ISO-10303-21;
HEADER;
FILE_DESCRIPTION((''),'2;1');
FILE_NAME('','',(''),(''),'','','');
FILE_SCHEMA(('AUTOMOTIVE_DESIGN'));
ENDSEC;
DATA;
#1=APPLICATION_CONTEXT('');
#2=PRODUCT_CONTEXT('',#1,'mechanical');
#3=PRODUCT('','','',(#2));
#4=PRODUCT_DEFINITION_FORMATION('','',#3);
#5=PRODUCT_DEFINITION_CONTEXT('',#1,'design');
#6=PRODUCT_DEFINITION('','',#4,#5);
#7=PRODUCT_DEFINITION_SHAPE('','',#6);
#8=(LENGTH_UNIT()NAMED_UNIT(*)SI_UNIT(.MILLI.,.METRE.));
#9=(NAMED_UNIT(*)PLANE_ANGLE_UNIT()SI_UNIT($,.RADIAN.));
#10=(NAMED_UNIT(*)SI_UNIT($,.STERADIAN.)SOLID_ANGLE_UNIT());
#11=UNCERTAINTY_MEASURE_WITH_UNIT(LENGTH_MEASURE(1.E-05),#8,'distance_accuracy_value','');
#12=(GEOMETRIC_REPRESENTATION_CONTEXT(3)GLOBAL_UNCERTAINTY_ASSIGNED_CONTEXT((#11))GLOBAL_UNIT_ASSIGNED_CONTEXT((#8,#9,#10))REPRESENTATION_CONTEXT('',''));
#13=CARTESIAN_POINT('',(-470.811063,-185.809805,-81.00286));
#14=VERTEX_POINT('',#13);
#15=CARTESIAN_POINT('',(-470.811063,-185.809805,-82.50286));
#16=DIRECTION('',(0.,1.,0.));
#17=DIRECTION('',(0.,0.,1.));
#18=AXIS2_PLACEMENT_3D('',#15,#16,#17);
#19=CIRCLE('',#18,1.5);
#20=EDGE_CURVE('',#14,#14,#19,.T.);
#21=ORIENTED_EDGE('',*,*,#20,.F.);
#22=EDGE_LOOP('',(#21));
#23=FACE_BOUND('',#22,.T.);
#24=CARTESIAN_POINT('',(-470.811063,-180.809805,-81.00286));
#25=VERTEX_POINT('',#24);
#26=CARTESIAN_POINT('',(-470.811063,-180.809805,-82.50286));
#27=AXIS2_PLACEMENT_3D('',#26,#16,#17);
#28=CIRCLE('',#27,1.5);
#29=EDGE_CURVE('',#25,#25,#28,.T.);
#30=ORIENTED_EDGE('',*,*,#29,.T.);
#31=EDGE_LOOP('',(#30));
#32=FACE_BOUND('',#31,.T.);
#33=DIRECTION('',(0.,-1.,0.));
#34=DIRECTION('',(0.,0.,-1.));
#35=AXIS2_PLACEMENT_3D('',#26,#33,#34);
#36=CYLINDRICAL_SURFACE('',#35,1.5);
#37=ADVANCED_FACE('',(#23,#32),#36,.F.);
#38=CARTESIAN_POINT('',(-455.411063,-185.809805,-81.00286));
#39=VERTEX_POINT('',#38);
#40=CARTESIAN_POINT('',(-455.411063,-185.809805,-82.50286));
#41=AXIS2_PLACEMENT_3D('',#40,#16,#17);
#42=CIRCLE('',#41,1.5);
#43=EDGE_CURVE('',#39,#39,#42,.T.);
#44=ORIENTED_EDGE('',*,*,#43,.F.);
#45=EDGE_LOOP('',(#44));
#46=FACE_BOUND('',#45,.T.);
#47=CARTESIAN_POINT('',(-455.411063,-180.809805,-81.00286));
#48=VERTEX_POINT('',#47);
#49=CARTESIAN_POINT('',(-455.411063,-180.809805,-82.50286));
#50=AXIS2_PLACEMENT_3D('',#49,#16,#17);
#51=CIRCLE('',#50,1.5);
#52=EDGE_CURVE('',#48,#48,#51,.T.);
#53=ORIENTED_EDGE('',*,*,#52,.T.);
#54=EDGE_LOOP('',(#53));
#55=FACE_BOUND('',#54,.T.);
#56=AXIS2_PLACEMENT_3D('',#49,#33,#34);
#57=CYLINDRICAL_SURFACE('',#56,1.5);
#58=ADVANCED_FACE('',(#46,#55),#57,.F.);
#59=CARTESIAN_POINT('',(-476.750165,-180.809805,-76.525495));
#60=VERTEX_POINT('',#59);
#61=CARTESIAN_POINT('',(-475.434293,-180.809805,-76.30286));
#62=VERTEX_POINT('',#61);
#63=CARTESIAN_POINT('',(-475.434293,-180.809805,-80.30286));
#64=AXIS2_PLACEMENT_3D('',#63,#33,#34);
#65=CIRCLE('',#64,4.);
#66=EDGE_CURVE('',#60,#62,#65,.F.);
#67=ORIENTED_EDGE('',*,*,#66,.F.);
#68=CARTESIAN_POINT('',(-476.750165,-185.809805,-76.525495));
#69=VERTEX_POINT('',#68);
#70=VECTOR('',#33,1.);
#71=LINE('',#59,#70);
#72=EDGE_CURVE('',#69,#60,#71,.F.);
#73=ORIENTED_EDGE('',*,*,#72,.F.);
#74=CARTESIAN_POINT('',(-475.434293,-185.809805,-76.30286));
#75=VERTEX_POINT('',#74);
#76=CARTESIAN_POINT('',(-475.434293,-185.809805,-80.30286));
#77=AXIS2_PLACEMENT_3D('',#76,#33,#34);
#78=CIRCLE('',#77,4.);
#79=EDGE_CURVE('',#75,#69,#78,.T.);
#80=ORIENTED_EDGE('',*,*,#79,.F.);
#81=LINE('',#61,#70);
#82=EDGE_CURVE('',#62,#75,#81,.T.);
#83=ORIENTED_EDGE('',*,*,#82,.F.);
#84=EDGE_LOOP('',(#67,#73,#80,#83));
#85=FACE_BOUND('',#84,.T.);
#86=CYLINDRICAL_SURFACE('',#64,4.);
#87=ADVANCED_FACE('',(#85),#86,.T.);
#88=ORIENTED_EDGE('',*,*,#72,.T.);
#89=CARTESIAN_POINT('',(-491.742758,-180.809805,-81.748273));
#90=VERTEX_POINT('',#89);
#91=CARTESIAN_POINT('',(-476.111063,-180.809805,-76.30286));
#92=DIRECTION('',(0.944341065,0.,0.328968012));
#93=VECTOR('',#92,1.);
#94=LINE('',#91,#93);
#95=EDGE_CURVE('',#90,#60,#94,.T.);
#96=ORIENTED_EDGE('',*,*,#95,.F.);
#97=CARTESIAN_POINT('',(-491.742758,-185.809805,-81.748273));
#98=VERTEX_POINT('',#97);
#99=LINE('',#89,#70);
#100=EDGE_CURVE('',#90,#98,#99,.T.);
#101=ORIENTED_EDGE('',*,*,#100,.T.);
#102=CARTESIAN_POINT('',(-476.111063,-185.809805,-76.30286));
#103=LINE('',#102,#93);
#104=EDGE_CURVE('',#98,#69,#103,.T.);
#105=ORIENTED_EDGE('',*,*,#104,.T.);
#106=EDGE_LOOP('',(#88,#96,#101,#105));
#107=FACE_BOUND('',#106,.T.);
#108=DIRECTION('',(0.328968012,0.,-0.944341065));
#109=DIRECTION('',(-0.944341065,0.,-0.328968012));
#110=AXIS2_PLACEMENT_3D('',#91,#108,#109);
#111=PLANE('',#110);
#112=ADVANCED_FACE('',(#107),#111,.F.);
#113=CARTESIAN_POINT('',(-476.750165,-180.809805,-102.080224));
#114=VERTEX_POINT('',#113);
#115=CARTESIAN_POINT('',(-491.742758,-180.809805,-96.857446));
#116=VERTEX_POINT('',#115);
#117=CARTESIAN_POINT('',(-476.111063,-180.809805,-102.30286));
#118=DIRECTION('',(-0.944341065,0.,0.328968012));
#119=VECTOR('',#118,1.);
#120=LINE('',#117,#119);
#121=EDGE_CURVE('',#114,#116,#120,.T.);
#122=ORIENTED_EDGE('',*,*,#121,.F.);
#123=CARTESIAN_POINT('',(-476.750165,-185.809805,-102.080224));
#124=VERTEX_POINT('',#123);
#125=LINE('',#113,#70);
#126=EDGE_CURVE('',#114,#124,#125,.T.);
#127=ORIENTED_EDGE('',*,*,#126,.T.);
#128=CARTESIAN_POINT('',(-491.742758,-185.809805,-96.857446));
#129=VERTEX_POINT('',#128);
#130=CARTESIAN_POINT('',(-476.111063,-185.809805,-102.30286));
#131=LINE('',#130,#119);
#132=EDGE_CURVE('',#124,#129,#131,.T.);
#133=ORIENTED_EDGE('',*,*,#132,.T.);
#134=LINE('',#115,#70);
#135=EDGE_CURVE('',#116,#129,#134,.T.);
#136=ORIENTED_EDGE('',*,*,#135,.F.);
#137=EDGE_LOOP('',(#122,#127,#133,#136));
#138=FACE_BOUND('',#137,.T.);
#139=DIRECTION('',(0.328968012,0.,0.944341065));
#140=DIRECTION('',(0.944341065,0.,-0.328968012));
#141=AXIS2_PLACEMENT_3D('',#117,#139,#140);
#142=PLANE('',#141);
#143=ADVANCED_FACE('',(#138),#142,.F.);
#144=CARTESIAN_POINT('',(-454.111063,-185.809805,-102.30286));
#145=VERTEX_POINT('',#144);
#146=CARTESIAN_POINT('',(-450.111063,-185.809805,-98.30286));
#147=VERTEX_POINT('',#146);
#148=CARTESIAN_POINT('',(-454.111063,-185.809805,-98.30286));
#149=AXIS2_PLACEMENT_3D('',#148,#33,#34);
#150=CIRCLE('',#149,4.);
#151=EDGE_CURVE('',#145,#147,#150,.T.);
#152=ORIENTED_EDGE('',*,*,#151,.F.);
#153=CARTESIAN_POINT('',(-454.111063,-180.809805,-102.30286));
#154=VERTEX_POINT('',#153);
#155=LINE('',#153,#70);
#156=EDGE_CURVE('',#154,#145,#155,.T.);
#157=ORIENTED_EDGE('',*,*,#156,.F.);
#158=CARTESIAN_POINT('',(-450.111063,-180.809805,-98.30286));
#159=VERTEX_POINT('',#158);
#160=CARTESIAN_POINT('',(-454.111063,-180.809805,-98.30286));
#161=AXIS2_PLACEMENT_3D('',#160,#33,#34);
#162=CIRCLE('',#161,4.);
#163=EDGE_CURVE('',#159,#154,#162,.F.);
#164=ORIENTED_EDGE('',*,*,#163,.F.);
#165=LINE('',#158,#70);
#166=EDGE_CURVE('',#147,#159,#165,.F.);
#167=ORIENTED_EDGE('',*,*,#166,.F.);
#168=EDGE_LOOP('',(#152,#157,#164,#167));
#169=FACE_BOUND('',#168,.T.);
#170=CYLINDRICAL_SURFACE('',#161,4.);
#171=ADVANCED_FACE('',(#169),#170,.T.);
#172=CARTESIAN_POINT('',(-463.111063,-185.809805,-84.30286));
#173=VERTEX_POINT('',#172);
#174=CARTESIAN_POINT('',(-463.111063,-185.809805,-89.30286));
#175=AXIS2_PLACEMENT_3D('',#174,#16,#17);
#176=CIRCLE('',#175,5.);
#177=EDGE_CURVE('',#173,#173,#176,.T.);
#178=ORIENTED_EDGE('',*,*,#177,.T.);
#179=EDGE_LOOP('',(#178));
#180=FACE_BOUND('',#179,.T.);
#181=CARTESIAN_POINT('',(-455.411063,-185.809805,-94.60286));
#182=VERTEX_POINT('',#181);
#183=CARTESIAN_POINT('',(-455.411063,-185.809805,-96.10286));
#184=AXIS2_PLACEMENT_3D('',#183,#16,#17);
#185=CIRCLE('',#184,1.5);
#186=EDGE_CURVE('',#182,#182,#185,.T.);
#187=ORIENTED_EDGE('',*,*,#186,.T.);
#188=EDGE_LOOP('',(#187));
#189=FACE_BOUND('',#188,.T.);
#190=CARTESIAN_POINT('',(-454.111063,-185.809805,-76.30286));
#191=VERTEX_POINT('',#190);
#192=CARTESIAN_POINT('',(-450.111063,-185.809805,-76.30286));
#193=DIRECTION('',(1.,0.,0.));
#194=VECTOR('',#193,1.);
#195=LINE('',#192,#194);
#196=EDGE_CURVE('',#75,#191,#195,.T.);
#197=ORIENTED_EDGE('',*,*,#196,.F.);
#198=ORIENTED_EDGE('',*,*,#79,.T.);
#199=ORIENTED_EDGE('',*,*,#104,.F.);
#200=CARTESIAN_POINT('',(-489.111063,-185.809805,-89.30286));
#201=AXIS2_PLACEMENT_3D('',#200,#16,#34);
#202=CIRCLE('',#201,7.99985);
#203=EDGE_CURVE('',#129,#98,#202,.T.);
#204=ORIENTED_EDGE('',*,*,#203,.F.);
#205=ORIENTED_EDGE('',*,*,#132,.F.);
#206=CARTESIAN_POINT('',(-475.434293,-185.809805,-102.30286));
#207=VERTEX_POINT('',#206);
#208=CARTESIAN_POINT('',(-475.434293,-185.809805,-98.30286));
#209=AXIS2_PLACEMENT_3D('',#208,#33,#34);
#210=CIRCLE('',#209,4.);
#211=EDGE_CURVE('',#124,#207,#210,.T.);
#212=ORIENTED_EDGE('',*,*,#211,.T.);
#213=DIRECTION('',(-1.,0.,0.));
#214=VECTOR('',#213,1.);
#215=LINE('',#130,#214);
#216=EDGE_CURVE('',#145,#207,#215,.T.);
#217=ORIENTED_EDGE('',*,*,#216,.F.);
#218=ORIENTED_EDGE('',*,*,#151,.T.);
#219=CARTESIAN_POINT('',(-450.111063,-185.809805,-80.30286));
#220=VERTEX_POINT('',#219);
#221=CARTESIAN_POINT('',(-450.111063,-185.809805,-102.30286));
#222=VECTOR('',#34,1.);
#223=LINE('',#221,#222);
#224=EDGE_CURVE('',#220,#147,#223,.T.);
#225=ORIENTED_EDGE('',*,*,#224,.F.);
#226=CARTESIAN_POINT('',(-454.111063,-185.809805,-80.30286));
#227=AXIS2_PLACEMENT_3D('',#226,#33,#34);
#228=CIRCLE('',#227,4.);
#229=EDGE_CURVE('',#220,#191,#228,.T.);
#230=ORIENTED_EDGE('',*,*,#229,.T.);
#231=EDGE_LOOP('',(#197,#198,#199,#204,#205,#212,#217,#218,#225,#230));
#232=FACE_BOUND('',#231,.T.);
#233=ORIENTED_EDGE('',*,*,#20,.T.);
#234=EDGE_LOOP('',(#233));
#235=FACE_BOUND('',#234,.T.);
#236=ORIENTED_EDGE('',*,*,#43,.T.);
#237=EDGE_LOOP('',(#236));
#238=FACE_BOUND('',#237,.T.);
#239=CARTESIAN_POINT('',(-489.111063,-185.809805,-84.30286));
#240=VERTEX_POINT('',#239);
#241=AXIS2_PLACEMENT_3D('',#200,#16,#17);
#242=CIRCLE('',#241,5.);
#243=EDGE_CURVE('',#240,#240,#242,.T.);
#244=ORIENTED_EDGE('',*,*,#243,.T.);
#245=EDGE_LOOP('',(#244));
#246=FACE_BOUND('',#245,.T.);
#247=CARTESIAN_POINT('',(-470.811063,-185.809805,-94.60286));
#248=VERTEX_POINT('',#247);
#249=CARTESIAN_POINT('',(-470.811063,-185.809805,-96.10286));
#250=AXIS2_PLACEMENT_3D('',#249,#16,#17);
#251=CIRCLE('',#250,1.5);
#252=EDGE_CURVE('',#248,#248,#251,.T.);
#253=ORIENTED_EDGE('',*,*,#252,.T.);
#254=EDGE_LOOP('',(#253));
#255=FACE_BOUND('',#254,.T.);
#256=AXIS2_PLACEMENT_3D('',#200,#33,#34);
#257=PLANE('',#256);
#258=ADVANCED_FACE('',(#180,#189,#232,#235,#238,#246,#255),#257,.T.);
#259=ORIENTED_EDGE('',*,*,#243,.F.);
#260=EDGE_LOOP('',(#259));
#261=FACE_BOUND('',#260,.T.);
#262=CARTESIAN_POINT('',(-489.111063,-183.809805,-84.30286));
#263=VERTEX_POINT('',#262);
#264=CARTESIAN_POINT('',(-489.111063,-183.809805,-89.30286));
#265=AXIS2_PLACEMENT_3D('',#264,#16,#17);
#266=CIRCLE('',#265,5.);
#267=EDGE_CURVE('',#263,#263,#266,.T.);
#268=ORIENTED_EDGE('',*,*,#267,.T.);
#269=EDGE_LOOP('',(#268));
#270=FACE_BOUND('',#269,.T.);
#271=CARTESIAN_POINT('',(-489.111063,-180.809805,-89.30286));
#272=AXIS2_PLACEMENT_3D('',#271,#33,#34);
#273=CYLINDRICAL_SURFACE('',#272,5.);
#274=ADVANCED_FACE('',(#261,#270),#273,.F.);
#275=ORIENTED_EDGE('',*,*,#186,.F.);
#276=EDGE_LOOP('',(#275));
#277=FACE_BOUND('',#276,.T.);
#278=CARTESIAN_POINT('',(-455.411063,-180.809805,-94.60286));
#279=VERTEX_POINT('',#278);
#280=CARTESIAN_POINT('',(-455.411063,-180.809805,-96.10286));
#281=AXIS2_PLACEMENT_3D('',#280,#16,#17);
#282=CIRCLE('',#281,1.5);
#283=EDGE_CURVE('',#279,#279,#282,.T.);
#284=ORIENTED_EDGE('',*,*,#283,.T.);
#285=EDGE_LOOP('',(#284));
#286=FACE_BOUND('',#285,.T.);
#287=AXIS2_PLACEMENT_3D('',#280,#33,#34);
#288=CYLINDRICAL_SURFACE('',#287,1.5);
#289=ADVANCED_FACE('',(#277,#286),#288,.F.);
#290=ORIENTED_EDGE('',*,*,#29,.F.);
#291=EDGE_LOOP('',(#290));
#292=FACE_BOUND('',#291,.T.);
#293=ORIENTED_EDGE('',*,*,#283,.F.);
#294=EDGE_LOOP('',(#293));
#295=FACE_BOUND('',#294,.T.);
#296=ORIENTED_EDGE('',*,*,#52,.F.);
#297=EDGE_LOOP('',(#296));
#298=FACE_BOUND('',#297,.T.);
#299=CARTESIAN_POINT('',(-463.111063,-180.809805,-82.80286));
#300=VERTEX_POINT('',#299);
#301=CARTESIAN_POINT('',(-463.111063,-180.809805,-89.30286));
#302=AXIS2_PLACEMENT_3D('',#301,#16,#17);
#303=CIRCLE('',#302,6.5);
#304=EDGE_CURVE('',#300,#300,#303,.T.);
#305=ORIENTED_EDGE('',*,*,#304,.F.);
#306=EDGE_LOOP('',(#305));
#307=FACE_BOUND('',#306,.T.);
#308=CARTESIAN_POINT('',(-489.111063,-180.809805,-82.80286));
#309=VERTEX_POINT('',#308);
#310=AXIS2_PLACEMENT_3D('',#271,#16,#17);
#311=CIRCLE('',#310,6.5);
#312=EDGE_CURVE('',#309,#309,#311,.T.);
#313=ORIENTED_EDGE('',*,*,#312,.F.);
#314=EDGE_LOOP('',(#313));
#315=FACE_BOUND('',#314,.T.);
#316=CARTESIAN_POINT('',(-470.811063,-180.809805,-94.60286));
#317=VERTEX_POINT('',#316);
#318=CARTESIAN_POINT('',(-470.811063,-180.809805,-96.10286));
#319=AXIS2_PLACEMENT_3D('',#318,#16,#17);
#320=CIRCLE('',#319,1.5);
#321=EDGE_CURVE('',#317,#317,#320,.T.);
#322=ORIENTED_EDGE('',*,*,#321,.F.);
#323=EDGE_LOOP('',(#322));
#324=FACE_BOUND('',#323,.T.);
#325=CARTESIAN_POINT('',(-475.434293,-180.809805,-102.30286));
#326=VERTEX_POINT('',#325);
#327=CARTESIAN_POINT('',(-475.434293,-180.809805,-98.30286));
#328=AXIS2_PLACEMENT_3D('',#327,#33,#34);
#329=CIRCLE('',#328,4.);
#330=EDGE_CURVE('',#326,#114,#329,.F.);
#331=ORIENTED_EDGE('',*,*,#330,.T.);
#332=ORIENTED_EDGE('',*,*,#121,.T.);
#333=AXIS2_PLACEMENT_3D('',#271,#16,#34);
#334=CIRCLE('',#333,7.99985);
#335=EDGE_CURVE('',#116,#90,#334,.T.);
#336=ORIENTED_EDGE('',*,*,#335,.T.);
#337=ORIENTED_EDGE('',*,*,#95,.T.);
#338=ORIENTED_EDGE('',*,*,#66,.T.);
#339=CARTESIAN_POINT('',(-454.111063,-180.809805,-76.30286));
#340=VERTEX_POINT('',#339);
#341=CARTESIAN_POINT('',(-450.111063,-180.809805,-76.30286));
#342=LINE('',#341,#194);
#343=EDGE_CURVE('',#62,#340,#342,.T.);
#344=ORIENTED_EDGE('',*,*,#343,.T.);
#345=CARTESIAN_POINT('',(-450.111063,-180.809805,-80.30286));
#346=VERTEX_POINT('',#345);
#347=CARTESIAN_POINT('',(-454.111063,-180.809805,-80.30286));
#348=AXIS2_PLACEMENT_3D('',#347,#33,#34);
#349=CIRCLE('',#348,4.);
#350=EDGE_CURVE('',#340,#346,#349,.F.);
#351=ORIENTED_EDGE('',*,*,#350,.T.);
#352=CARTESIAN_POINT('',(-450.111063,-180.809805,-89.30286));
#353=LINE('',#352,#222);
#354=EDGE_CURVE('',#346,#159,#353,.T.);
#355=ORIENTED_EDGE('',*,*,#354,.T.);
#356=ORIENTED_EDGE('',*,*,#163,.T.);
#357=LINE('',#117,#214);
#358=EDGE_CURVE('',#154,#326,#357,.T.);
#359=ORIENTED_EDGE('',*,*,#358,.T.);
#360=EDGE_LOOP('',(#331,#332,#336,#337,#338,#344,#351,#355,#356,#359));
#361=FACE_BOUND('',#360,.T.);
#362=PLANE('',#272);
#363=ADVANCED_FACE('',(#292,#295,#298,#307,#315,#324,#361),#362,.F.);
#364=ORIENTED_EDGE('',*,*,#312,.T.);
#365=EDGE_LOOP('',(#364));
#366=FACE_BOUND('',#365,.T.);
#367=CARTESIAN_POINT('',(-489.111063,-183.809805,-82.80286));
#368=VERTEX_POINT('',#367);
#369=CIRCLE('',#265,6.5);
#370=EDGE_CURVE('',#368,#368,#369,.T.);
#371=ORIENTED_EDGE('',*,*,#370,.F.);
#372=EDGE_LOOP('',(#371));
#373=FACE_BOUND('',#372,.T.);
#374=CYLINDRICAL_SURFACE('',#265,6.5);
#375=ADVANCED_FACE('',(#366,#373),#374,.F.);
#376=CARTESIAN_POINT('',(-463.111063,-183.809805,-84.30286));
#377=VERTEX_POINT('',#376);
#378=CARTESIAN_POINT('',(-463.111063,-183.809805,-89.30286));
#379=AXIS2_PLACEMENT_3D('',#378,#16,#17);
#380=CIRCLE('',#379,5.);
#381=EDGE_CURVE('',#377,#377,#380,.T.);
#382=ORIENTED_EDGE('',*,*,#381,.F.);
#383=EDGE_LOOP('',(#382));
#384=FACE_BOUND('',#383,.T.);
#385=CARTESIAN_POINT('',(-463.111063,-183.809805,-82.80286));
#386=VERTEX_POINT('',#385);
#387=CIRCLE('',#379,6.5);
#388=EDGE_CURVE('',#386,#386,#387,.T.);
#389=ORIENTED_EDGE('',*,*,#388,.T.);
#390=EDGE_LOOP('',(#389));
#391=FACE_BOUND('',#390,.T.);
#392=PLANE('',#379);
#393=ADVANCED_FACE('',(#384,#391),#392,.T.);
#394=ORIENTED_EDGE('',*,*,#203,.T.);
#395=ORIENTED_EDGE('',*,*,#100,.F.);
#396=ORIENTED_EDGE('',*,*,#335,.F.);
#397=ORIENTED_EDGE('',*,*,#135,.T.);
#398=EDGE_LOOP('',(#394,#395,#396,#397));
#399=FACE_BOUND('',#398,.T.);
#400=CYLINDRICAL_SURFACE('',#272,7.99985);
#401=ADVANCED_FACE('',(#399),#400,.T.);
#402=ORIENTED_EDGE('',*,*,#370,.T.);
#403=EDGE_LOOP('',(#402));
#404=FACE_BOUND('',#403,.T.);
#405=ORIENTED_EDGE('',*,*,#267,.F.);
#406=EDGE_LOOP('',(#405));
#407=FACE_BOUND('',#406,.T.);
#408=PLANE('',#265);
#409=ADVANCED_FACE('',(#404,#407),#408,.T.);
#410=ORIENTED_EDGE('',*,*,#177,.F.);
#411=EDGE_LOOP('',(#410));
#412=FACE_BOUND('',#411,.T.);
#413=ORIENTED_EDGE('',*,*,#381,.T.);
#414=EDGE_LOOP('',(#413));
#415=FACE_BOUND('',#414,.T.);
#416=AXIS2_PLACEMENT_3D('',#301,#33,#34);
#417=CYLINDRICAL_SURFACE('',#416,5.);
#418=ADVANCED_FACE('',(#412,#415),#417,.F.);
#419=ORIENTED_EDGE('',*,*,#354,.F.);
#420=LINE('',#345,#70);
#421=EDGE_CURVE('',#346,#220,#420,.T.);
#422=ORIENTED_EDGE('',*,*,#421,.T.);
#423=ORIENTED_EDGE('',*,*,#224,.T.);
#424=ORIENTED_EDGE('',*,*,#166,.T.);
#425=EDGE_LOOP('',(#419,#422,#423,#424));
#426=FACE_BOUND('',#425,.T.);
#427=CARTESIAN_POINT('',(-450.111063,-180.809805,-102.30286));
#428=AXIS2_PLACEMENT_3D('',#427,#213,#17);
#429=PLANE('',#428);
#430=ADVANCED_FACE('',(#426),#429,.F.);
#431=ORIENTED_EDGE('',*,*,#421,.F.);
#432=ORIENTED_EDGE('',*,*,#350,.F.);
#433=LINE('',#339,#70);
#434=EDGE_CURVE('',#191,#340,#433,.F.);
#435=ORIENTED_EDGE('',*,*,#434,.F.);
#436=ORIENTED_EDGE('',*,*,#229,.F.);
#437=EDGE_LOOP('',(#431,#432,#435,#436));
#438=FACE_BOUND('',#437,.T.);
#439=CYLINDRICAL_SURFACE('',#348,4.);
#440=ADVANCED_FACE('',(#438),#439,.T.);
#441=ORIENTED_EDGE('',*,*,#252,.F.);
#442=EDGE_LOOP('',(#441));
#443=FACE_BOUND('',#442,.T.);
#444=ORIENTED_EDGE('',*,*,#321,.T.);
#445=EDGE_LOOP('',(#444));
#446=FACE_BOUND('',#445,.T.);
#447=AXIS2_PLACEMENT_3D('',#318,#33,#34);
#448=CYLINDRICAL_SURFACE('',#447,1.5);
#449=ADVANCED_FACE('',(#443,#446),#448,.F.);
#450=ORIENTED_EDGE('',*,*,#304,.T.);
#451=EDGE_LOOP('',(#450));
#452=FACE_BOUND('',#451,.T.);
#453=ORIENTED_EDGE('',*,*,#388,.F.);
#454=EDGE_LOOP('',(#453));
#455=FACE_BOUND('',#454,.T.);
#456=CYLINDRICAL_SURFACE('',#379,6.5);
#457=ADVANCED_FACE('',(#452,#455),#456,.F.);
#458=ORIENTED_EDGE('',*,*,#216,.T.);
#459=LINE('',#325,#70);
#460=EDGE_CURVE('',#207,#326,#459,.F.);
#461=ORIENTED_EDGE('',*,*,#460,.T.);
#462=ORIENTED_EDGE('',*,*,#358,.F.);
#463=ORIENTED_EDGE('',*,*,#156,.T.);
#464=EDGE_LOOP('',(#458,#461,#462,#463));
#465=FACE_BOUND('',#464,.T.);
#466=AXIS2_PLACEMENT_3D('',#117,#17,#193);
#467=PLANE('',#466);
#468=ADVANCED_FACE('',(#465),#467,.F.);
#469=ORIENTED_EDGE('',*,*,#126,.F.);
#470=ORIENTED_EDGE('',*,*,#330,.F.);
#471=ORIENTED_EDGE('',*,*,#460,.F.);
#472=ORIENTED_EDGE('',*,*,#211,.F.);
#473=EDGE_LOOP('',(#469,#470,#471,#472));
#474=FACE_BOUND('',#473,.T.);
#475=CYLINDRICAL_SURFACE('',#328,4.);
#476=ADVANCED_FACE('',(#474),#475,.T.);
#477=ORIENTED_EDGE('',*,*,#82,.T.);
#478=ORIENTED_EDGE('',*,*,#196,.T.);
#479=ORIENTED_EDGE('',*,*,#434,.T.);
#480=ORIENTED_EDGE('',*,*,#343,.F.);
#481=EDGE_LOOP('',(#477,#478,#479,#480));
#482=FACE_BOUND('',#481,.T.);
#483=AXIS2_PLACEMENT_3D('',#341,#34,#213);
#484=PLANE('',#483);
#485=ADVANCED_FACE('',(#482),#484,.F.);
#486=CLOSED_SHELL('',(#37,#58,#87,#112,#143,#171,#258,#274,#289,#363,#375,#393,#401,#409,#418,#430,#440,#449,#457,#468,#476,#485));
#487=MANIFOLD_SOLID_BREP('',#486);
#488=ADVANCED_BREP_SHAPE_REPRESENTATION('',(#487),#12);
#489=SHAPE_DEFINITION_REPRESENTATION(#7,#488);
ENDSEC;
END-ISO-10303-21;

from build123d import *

# Parameters (mm, degrees)
SKETCH_1_R          = 1.5
SKETCH_1_R_2        = 5
EXTRUDE_1_DEPTH     = 5
SKETCH_2_R          = 6.5
CUT_EXTRUDE_1_DEPTH = 3
FILLET_1_R          = 4


with BuildPart() as part:
    # Эскиз1 → Бобышка-Вытянуть1 (new body)
    with BuildSketch(Plane(origin=(0, -185.809804521, 0), x_dir=(1, 0, 0), z_dir=(0, 1, 0))):
        with BuildLine():
            Line((-450.111062941, 89.302859511), (-450.111062941, 76.302859511))
            Line((-450.111062941, 76.302859511), (-476.111062941, 76.302859511))
            Line((-476.111062941, 76.302859511), (-491.742757589, 81.748272926))
            ThreePointArc((-491.742757589, 81.748272926), (-497.110912638, 89.302859511), (-491.742757589, 96.857446095))
            Line((-491.742757589, 96.857446095), (-476.111062941, 102.302859511))
            Line((-476.111062941, 102.302859511), (-450.111062941, 102.302859511))
            Line((-450.111062941, 102.302859511), (-450.111062941, 89.302859511))
        make_face()
        with Locations(Location((-470.811062941, 96.102859511, 0), (0, 0, 270))):
            Circle(SKETCH_1_R, mode=Mode.SUBTRACT)
        with Locations(Location((-455.411062941, 96.102859511, 0), (0, 0, 270))):
            Circle(SKETCH_1_R, mode=Mode.SUBTRACT)
        with Locations(Location((-455.411062941, 82.502859511, 0), (0, 0, 270))):
            Circle(SKETCH_1_R, mode=Mode.SUBTRACT)
        with Locations(Location((-470.811062941, 82.502859511, 0), (0, 0, 270))):
            Circle(SKETCH_1_R, mode=Mode.SUBTRACT)
        with Locations(Location((-463.111062941, 89.302859511, 0), (0, 0, 270))):
            Circle(SKETCH_1_R_2, mode=Mode.SUBTRACT)
        with Locations(Location((-489.111062941, 89.302859511, 0), (0, 0, 270))):
            Circle(SKETCH_1_R_2, mode=Mode.SUBTRACT)
    extrude(amount=EXTRUDE_1_DEPTH)

    # Эскиз2 → Вырез-Вытянуть1 (cut)
    with BuildSketch(Plane(origin=(0, -180.809804521, 0), x_dir=(1, 0, 0), z_dir=(0, 1, 0))):
        with Locations(Location((-463.111062941, 89.302859511, 0), (0, 0, 270))):
            Circle(SKETCH_2_R)
        with Locations(Location((-489.111062941, 89.302859511, 0), (0, 0, 270))):
            Circle(SKETCH_2_R)
    extrude(amount=-CUT_EXTRUDE_1_DEPTH, mode=Mode.SUBTRACT)

    # Скругление1
    fillet_1_edges = [part.edges().sort_by_distance(p)[0] for p in [
        (-476.111062941, -183.309804521, -102.302859511),
        (-450.111062941, -183.309804521, -102.302859511),
        (-450.111062941, -183.309804521, -76.302859511),
        (-476.111062941, -183.309804521, -76.302859511),
    ]]
    fillet(fillet_1_edges, radius=FILLET_1_R)


solid = part.part
